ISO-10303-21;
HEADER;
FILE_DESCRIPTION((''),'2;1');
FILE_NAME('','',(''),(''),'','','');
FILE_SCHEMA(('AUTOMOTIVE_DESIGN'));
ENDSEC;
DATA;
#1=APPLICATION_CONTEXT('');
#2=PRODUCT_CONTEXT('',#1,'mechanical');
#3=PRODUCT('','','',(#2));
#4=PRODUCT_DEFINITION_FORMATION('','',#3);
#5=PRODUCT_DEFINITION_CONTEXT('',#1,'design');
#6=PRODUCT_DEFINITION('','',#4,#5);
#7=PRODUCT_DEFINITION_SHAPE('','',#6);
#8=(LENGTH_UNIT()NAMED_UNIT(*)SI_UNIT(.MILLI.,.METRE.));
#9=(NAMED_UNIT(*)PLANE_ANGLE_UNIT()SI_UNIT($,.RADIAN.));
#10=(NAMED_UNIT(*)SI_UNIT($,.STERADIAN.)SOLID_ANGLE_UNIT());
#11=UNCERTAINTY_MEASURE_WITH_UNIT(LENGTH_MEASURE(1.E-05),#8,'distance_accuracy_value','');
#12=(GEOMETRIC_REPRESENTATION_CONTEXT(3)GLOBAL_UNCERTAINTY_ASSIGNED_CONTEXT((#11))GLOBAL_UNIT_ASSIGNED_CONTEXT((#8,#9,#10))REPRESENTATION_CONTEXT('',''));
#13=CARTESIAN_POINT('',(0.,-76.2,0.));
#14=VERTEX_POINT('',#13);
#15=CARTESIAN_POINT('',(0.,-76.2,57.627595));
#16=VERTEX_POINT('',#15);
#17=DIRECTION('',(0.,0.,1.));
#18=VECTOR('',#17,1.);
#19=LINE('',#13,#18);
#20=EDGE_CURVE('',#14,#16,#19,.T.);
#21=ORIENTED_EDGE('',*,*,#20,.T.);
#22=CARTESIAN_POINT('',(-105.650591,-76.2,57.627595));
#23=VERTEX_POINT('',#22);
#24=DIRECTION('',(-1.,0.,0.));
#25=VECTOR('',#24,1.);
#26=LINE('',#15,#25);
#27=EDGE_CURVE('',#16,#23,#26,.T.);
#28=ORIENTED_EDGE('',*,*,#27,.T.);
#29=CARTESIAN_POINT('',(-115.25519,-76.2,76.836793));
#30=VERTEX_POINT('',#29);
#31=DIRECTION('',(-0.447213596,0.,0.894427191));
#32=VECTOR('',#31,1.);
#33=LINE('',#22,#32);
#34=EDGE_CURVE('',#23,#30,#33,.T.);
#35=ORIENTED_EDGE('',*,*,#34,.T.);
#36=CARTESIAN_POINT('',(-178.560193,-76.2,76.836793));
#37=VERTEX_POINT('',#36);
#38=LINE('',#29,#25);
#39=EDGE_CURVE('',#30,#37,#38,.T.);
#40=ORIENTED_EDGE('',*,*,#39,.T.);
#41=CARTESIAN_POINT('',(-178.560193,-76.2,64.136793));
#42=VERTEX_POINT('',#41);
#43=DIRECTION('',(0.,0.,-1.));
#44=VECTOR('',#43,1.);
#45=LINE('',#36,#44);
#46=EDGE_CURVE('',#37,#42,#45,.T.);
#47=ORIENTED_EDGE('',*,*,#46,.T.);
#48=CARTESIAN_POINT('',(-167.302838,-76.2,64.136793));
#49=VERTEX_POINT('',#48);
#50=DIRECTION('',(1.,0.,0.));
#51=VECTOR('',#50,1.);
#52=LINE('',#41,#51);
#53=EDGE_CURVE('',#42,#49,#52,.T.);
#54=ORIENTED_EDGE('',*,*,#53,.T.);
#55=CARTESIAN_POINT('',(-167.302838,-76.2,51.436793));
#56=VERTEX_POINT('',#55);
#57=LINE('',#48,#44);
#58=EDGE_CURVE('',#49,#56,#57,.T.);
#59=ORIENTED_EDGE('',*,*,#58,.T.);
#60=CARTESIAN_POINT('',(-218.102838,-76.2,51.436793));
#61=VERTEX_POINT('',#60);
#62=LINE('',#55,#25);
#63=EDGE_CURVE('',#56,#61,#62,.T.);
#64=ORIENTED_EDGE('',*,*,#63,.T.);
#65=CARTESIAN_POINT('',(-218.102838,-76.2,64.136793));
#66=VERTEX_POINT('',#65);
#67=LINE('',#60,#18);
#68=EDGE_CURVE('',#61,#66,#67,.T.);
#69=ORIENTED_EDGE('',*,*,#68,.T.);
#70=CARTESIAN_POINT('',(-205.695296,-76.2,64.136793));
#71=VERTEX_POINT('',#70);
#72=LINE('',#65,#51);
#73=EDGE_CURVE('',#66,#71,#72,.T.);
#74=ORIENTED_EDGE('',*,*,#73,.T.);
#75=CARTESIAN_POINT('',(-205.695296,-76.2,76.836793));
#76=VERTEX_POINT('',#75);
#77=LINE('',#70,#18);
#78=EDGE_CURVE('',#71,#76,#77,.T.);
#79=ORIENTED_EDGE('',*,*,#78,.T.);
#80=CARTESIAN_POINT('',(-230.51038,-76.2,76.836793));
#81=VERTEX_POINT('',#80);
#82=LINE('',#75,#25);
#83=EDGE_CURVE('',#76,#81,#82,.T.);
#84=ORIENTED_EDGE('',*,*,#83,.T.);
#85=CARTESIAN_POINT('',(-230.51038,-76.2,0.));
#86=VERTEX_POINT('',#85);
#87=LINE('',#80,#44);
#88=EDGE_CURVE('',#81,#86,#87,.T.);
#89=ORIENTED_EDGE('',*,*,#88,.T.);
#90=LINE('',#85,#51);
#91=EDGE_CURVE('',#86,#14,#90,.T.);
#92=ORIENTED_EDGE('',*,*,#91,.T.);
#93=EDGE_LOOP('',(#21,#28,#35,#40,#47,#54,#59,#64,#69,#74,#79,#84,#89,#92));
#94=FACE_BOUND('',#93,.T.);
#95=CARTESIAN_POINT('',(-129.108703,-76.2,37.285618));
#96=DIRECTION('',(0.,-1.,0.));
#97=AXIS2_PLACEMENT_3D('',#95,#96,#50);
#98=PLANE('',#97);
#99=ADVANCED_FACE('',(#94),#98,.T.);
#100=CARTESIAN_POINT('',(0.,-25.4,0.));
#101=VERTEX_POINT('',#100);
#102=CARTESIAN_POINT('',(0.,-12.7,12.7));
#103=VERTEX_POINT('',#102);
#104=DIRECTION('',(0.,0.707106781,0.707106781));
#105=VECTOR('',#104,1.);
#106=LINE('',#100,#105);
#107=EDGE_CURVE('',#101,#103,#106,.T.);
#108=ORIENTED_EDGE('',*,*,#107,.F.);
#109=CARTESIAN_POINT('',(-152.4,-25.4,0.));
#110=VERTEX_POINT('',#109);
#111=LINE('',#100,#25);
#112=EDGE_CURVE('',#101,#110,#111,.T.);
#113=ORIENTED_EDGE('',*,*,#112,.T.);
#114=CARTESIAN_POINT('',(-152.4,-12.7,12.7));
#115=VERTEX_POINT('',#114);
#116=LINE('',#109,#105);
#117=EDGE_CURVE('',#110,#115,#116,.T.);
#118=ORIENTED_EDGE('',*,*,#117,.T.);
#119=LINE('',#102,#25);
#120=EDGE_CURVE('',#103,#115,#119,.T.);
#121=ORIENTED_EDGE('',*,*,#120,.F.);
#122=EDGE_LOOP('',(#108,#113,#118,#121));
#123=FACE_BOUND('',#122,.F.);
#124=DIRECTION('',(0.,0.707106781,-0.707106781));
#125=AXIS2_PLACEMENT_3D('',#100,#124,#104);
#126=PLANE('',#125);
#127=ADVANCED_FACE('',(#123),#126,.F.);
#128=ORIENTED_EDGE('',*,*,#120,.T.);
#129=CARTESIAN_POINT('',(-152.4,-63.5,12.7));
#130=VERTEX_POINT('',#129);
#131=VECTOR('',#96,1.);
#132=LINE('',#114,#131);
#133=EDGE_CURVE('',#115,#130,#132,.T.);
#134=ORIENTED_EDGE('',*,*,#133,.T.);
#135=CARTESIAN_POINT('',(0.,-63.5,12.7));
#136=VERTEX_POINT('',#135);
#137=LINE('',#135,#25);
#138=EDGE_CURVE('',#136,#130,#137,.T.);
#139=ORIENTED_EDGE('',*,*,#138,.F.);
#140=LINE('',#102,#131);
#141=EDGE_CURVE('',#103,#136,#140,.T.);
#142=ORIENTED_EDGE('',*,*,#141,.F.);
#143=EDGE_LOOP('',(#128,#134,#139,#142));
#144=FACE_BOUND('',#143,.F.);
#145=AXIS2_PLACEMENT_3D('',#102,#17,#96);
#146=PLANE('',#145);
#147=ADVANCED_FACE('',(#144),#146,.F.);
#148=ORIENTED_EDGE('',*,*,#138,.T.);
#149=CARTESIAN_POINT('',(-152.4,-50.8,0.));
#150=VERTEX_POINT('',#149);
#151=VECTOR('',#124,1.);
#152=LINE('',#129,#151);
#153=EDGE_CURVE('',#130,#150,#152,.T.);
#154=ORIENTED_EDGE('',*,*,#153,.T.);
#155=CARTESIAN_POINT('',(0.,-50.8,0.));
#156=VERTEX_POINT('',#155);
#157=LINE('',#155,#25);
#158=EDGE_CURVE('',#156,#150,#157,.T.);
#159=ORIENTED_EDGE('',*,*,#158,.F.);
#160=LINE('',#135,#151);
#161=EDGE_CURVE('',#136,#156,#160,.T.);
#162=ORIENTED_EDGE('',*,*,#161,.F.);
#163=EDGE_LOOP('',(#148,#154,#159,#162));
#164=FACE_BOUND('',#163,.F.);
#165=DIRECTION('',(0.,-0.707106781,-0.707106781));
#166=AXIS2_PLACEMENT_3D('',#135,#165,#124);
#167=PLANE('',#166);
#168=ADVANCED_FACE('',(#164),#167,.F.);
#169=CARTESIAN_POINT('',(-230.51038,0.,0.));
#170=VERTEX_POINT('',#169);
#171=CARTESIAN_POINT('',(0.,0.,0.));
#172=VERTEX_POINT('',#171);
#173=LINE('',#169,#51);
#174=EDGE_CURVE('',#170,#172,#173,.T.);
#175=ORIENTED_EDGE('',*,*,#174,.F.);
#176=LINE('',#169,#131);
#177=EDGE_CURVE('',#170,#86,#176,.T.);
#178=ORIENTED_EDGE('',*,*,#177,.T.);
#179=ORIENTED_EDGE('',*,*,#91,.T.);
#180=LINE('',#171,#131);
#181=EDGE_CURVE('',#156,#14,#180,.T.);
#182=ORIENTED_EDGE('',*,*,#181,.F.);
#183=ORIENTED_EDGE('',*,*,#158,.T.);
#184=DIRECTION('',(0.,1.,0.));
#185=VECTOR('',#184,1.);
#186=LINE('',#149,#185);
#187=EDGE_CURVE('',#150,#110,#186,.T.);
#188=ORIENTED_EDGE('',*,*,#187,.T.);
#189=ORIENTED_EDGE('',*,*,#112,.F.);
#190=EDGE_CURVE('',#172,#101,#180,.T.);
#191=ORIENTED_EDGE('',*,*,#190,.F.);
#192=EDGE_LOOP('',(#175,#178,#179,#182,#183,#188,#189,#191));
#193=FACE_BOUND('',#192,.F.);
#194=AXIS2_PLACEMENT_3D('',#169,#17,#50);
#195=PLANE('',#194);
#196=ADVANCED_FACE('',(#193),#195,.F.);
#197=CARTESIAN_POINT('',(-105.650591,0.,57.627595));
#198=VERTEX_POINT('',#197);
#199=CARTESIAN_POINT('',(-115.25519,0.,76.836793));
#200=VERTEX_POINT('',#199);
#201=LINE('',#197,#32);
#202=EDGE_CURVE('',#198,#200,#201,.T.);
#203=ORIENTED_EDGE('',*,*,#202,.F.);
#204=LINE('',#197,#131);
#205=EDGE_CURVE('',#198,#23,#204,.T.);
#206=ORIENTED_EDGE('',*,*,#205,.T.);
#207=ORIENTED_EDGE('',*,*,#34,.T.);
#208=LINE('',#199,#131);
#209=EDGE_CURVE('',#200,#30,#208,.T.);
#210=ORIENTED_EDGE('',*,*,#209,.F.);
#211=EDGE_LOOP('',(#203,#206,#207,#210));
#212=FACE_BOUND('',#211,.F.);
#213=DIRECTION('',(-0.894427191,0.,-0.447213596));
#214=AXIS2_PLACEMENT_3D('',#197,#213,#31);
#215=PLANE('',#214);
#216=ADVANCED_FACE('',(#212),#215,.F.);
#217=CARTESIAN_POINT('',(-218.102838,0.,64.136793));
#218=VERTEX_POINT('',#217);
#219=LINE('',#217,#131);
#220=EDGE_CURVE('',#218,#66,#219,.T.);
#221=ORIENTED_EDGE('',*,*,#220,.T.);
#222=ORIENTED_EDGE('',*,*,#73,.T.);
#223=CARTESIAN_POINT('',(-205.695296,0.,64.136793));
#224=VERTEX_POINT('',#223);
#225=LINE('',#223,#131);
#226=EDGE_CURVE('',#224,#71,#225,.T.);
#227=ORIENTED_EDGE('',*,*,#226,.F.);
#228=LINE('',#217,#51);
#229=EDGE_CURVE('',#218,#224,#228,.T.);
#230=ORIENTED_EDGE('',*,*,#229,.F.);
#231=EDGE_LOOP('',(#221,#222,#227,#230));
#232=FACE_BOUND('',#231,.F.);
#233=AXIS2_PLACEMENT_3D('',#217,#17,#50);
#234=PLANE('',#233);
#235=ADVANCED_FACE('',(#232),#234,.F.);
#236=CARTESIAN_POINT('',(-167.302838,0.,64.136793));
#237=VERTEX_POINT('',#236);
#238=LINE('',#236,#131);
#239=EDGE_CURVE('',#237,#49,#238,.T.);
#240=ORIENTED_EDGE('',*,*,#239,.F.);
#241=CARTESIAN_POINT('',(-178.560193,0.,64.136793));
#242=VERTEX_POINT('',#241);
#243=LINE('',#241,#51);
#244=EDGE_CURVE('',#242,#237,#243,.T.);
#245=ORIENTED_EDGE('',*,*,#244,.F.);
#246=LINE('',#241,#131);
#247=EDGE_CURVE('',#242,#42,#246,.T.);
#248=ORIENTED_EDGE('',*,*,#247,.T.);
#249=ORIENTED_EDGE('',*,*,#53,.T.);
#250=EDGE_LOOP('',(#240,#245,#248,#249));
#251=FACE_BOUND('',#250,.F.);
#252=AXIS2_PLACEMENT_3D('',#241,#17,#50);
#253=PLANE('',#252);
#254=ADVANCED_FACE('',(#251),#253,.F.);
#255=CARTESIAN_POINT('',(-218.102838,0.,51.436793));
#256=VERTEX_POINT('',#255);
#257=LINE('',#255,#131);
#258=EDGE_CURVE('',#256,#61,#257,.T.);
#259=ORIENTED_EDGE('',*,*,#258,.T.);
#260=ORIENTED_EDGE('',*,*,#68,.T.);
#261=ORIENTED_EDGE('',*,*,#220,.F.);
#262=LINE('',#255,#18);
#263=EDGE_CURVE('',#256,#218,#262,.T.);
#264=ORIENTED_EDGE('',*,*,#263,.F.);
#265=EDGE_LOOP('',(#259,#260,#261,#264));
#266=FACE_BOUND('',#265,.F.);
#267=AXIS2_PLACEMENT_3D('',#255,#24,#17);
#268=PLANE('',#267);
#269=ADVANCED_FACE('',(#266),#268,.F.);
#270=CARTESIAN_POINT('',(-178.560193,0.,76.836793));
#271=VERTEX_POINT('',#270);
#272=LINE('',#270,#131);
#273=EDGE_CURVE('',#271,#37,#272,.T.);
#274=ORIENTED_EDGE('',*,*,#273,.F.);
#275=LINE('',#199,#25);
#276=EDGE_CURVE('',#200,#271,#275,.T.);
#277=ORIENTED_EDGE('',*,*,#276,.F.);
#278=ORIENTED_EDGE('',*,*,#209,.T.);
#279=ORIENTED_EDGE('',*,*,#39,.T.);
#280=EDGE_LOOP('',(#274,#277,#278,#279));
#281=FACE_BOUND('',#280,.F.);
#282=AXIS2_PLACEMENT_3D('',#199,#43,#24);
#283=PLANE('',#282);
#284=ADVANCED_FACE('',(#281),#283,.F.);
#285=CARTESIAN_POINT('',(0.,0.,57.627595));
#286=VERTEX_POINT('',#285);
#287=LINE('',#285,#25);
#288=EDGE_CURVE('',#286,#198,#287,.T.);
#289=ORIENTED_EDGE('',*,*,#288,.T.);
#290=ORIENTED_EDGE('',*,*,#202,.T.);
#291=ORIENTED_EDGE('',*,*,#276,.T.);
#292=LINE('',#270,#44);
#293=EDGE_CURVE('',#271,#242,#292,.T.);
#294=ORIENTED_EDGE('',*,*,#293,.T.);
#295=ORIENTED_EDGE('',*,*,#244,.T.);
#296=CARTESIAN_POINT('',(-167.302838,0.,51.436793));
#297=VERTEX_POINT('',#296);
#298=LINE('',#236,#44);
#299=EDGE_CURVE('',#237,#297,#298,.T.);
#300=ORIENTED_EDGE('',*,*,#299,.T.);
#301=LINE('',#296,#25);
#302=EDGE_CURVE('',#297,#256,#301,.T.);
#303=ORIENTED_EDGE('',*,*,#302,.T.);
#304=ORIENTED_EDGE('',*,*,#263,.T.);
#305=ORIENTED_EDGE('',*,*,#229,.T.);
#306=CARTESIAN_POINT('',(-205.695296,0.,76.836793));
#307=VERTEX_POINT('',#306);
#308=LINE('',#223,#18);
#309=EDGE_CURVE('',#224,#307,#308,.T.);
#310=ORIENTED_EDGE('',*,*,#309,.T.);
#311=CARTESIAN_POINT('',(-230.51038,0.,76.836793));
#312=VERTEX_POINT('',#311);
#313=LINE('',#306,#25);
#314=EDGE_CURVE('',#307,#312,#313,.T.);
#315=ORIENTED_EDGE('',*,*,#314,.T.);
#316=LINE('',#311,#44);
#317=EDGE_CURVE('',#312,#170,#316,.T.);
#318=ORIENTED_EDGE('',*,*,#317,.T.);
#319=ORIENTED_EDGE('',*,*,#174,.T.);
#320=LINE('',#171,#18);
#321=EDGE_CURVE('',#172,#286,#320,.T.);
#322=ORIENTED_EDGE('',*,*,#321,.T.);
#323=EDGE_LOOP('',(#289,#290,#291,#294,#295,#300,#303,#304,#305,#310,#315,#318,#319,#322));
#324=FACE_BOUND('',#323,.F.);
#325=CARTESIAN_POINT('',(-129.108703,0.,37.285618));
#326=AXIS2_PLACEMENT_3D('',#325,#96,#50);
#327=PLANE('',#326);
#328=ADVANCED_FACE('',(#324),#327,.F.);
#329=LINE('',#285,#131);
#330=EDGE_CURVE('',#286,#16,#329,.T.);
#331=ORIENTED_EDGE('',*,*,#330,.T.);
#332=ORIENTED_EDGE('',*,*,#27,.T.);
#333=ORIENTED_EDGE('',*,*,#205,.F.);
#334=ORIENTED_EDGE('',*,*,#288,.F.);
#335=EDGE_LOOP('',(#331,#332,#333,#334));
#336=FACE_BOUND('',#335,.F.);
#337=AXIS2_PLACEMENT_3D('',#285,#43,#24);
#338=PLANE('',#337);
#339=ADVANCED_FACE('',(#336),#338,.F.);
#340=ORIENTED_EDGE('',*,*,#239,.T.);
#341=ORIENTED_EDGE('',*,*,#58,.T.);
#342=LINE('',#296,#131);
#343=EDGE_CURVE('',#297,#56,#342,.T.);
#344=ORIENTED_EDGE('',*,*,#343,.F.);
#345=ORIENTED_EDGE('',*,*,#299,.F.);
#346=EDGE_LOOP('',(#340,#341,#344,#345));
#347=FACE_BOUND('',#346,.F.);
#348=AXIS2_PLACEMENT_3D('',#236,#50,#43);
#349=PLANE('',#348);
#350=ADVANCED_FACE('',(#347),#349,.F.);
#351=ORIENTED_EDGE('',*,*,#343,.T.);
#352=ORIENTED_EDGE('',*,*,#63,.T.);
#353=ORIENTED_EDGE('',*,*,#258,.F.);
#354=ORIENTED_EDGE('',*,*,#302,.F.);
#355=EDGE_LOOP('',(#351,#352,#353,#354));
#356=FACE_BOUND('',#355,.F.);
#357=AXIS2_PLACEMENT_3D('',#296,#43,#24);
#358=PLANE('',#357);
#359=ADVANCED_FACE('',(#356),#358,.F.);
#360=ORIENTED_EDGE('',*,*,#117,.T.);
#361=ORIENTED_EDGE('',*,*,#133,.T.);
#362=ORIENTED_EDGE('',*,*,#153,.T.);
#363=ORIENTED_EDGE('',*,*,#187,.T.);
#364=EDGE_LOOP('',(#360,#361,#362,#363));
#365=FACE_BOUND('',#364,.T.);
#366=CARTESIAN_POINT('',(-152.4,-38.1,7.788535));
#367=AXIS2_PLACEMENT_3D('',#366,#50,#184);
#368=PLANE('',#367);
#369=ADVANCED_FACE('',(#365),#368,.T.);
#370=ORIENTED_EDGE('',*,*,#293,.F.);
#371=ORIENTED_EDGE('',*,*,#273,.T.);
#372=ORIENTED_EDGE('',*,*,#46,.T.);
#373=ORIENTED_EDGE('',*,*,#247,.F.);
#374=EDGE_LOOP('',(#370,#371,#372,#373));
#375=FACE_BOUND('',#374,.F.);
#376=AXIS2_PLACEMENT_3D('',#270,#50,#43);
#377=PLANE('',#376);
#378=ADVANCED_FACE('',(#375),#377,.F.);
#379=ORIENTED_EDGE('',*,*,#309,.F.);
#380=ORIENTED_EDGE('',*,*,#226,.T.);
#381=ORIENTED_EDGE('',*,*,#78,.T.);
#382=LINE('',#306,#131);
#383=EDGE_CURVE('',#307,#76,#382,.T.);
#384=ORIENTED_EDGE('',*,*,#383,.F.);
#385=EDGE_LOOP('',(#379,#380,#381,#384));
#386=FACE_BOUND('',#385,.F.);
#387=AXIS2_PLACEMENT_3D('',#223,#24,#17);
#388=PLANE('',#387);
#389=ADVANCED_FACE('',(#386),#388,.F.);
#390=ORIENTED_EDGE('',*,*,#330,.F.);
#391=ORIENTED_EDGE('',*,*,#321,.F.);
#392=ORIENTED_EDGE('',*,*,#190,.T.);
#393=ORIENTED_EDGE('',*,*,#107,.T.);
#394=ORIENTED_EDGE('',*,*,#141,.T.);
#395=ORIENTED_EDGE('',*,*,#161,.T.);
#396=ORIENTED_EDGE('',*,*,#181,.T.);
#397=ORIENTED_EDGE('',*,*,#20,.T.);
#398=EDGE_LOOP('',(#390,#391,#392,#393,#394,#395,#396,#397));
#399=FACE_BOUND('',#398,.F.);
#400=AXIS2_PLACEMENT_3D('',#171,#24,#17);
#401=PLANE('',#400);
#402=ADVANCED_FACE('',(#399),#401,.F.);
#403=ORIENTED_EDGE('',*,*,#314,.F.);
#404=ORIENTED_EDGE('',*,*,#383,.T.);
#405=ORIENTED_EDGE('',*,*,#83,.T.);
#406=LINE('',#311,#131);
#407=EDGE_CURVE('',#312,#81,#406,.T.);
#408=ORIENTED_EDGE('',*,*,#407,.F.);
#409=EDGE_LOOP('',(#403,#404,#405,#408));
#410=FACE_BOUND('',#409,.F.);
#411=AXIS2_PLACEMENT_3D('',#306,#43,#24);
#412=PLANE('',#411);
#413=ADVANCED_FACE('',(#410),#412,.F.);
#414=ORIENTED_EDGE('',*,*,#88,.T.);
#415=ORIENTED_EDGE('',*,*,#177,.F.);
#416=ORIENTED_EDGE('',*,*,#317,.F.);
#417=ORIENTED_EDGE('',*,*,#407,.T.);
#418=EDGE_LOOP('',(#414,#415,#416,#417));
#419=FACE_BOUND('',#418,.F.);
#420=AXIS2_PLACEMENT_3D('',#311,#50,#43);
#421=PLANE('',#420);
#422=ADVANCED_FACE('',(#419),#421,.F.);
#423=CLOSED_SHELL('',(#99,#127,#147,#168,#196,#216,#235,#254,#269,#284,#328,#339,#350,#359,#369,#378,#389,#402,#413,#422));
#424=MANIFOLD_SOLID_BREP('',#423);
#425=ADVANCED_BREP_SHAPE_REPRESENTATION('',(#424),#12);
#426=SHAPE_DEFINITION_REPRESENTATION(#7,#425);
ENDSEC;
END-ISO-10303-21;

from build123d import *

# Parameters (mm, degrees)
F1_DEPTH = 76.2
F3_DEPTH = 152.4


with BuildPart() as f1:
    # F0 (on Front) → F1 (new body)
    with BuildSketch(Plane.XZ):
        Polygon((-230.51038, 0), (0, 0), (0, 57.627595), (-105.650591, 57.627595), (-115.25519, 76.836793), (-178.560193, 76.836793), (-178.560193, 64.136793), (-167.302838, 64.136793), (-167.302838, 51.436793), (-218.102838, 51.436793), (-218.102838, 64.136793), (-205.695296, 64.136793), (-205.695296, 76.836793), (-230.51038, 76.836793), align=None)
    extrude(amount=F1_DEPTH)

    # F2 (on face) → F3 (cut)
    with BuildSketch(Plane.YZ):
        Polygon((-12.7, 12.7), (-38.1, 12.7), (-63.5, 12.7), (-50.8, 0), (-25.4, 0), align=None)
    extrude(amount=-F3_DEPTH, mode=Mode.SUBTRACT)


solid = f1.part
